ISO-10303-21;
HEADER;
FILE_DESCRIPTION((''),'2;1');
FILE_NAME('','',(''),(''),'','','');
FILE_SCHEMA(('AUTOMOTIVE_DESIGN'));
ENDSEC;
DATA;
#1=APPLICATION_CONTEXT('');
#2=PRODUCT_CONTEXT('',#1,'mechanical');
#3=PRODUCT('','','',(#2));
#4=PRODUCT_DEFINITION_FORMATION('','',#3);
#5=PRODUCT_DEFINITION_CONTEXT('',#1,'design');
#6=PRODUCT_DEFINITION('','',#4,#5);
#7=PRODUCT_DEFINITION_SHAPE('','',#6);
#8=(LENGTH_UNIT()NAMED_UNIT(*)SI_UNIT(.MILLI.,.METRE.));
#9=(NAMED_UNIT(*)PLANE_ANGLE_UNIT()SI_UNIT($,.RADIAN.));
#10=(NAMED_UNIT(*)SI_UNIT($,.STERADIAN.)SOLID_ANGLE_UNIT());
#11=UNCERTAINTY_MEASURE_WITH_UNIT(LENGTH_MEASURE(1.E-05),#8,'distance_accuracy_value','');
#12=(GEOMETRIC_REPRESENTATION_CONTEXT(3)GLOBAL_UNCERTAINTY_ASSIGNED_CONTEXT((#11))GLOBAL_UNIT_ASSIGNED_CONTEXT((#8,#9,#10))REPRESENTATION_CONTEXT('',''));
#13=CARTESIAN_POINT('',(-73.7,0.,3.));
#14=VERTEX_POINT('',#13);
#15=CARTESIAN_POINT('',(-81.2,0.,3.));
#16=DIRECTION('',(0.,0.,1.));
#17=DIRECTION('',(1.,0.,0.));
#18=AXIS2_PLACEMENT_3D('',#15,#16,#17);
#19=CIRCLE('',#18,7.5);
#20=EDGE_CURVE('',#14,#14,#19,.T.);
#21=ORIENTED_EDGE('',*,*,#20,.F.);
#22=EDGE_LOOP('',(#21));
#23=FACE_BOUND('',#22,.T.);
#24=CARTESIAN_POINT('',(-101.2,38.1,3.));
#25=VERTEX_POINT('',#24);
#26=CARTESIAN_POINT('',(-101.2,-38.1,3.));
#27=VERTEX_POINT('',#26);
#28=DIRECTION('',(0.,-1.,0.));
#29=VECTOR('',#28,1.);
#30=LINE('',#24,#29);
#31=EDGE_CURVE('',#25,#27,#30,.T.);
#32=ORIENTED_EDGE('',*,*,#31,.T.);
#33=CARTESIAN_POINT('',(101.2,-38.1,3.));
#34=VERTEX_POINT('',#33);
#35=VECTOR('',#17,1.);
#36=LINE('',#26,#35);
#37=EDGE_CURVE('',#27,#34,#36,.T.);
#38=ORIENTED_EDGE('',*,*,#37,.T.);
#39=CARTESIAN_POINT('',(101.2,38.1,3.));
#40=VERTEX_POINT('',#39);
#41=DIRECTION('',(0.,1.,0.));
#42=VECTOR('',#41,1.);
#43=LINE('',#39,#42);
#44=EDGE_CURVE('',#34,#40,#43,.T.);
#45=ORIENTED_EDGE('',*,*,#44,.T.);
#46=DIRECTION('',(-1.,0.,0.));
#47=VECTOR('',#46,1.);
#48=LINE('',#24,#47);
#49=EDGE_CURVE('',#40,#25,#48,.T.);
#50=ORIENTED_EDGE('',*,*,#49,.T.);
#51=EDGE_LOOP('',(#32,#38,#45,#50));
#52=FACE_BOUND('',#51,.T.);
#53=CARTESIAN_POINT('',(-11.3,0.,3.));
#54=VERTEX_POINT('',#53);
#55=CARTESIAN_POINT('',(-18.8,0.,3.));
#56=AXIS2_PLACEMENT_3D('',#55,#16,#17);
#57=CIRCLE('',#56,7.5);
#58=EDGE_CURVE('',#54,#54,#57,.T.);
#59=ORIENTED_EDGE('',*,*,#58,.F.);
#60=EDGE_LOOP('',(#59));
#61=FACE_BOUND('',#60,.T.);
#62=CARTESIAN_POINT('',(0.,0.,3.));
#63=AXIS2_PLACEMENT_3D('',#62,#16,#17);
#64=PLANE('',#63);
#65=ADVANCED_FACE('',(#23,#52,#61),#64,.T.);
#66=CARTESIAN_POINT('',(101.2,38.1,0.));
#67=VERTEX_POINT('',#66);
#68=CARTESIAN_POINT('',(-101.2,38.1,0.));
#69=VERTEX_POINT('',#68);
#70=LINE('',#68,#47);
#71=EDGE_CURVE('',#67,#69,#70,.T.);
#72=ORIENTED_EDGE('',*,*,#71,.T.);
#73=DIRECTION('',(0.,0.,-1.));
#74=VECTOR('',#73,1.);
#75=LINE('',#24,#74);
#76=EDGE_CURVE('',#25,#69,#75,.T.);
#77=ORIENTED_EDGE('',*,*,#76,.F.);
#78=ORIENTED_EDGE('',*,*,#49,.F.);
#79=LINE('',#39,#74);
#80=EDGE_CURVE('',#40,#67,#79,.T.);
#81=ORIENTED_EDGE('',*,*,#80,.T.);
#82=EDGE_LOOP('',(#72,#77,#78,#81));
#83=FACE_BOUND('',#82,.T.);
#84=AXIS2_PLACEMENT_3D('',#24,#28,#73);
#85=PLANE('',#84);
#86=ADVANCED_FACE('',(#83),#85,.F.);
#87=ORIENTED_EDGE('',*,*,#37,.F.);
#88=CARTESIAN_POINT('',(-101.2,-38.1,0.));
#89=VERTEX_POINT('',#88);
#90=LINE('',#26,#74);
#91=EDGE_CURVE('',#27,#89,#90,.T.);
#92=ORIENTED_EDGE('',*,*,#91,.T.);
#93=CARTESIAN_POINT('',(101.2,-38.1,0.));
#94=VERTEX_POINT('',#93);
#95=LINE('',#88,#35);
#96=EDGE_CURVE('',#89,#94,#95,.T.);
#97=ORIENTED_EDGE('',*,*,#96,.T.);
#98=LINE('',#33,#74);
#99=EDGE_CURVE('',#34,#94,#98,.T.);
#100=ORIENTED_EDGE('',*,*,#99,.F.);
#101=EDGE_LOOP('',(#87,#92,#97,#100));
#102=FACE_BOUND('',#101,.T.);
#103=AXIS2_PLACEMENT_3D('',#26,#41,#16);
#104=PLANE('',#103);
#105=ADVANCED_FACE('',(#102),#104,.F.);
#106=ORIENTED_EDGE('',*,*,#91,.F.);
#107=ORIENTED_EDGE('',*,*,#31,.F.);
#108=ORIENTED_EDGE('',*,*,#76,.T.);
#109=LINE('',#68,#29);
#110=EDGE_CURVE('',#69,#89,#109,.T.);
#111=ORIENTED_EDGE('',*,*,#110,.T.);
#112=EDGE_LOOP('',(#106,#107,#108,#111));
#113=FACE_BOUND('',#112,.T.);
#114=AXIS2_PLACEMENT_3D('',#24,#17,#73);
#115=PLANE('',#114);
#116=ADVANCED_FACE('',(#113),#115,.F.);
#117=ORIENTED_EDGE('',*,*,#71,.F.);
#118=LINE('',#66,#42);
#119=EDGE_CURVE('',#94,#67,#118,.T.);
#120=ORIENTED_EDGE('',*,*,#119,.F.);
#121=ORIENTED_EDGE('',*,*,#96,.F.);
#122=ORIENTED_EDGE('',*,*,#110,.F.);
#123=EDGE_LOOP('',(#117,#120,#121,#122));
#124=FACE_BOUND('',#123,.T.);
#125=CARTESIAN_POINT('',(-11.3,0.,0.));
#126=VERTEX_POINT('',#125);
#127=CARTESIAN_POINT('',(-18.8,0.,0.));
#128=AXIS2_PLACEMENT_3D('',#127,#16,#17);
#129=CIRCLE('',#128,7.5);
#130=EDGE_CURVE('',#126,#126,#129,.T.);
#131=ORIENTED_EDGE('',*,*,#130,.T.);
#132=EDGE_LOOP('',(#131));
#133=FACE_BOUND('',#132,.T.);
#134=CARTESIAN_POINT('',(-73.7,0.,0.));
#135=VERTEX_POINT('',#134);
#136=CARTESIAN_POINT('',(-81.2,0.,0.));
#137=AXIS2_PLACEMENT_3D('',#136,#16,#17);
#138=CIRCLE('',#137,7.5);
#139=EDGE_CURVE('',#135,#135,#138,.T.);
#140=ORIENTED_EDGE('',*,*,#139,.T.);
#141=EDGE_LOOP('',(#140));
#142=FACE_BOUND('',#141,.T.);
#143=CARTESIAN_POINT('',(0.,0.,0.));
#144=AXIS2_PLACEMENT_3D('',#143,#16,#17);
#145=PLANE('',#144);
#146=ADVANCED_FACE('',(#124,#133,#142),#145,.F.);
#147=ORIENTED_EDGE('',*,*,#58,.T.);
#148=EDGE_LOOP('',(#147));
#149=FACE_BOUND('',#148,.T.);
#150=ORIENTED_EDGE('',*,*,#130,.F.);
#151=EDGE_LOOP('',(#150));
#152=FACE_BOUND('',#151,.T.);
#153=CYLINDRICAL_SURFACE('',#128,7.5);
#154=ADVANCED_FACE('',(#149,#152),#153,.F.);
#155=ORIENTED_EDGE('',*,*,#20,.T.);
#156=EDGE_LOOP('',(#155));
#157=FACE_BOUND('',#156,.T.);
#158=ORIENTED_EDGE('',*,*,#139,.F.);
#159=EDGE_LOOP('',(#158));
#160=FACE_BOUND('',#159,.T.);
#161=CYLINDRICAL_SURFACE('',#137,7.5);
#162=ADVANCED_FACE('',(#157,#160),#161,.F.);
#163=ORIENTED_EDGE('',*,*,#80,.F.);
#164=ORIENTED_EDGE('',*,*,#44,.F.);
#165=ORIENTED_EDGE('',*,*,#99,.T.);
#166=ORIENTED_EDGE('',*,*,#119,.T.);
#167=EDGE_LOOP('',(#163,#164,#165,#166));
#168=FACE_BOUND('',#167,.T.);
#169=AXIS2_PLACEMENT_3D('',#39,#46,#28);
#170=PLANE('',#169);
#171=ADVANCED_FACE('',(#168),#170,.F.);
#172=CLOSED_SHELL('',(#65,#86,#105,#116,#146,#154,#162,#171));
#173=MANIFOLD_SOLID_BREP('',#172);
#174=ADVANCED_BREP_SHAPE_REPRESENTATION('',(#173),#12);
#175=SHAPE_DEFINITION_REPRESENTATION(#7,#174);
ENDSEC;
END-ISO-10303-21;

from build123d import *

# Parameters (mm, degrees)
SKETCH1_W               = 202.4
SKETCH1_H               = 76.2
BOSS_EXTRUDE1_DEPTH     = 3
SKETCH2_R               = 7.5
CUT_EXTRUDE1_DEPTH      = 109.176013977
CUT_EXTRUDE2_DEPTH      = 109.176013977
CUT_EXTRUDE2_DEPTH_BACK = 109.176013977
SKETCH3_R               = 7.5


with BuildPart() as part:
    # Sketch1 → Boss-Extrude1 (new body)
    with BuildSketch(Plane.XY):
        Rectangle(SKETCH1_W, SKETCH1_H)
    extrude(amount=BOSS_EXTRUDE1_DEPTH)

    # Sketch2 → Cut-Extrude1 (cut, through all)
    with BuildSketch(Plane.XY.offset(3)):
        with Locations((-81.2, 0)):
            Circle(SKETCH2_R)
    extrude(amount=-CUT_EXTRUDE1_DEPTH, mode=Mode.SUBTRACT)

    # Sketch3 → Cut-Extrude2 (cut, two sides: drawn at the far end of the back side and taken through both)
    with BuildSketch(Plane.XY.offset(3).offset(-CUT_EXTRUDE2_DEPTH_BACK)):
        with Locations((-18.8, 0)):
            Circle(SKETCH3_R)
    extrude(amount=CUT_EXTRUDE2_DEPTH + CUT_EXTRUDE2_DEPTH_BACK, mode=Mode.SUBTRACT)


solid = part.part
